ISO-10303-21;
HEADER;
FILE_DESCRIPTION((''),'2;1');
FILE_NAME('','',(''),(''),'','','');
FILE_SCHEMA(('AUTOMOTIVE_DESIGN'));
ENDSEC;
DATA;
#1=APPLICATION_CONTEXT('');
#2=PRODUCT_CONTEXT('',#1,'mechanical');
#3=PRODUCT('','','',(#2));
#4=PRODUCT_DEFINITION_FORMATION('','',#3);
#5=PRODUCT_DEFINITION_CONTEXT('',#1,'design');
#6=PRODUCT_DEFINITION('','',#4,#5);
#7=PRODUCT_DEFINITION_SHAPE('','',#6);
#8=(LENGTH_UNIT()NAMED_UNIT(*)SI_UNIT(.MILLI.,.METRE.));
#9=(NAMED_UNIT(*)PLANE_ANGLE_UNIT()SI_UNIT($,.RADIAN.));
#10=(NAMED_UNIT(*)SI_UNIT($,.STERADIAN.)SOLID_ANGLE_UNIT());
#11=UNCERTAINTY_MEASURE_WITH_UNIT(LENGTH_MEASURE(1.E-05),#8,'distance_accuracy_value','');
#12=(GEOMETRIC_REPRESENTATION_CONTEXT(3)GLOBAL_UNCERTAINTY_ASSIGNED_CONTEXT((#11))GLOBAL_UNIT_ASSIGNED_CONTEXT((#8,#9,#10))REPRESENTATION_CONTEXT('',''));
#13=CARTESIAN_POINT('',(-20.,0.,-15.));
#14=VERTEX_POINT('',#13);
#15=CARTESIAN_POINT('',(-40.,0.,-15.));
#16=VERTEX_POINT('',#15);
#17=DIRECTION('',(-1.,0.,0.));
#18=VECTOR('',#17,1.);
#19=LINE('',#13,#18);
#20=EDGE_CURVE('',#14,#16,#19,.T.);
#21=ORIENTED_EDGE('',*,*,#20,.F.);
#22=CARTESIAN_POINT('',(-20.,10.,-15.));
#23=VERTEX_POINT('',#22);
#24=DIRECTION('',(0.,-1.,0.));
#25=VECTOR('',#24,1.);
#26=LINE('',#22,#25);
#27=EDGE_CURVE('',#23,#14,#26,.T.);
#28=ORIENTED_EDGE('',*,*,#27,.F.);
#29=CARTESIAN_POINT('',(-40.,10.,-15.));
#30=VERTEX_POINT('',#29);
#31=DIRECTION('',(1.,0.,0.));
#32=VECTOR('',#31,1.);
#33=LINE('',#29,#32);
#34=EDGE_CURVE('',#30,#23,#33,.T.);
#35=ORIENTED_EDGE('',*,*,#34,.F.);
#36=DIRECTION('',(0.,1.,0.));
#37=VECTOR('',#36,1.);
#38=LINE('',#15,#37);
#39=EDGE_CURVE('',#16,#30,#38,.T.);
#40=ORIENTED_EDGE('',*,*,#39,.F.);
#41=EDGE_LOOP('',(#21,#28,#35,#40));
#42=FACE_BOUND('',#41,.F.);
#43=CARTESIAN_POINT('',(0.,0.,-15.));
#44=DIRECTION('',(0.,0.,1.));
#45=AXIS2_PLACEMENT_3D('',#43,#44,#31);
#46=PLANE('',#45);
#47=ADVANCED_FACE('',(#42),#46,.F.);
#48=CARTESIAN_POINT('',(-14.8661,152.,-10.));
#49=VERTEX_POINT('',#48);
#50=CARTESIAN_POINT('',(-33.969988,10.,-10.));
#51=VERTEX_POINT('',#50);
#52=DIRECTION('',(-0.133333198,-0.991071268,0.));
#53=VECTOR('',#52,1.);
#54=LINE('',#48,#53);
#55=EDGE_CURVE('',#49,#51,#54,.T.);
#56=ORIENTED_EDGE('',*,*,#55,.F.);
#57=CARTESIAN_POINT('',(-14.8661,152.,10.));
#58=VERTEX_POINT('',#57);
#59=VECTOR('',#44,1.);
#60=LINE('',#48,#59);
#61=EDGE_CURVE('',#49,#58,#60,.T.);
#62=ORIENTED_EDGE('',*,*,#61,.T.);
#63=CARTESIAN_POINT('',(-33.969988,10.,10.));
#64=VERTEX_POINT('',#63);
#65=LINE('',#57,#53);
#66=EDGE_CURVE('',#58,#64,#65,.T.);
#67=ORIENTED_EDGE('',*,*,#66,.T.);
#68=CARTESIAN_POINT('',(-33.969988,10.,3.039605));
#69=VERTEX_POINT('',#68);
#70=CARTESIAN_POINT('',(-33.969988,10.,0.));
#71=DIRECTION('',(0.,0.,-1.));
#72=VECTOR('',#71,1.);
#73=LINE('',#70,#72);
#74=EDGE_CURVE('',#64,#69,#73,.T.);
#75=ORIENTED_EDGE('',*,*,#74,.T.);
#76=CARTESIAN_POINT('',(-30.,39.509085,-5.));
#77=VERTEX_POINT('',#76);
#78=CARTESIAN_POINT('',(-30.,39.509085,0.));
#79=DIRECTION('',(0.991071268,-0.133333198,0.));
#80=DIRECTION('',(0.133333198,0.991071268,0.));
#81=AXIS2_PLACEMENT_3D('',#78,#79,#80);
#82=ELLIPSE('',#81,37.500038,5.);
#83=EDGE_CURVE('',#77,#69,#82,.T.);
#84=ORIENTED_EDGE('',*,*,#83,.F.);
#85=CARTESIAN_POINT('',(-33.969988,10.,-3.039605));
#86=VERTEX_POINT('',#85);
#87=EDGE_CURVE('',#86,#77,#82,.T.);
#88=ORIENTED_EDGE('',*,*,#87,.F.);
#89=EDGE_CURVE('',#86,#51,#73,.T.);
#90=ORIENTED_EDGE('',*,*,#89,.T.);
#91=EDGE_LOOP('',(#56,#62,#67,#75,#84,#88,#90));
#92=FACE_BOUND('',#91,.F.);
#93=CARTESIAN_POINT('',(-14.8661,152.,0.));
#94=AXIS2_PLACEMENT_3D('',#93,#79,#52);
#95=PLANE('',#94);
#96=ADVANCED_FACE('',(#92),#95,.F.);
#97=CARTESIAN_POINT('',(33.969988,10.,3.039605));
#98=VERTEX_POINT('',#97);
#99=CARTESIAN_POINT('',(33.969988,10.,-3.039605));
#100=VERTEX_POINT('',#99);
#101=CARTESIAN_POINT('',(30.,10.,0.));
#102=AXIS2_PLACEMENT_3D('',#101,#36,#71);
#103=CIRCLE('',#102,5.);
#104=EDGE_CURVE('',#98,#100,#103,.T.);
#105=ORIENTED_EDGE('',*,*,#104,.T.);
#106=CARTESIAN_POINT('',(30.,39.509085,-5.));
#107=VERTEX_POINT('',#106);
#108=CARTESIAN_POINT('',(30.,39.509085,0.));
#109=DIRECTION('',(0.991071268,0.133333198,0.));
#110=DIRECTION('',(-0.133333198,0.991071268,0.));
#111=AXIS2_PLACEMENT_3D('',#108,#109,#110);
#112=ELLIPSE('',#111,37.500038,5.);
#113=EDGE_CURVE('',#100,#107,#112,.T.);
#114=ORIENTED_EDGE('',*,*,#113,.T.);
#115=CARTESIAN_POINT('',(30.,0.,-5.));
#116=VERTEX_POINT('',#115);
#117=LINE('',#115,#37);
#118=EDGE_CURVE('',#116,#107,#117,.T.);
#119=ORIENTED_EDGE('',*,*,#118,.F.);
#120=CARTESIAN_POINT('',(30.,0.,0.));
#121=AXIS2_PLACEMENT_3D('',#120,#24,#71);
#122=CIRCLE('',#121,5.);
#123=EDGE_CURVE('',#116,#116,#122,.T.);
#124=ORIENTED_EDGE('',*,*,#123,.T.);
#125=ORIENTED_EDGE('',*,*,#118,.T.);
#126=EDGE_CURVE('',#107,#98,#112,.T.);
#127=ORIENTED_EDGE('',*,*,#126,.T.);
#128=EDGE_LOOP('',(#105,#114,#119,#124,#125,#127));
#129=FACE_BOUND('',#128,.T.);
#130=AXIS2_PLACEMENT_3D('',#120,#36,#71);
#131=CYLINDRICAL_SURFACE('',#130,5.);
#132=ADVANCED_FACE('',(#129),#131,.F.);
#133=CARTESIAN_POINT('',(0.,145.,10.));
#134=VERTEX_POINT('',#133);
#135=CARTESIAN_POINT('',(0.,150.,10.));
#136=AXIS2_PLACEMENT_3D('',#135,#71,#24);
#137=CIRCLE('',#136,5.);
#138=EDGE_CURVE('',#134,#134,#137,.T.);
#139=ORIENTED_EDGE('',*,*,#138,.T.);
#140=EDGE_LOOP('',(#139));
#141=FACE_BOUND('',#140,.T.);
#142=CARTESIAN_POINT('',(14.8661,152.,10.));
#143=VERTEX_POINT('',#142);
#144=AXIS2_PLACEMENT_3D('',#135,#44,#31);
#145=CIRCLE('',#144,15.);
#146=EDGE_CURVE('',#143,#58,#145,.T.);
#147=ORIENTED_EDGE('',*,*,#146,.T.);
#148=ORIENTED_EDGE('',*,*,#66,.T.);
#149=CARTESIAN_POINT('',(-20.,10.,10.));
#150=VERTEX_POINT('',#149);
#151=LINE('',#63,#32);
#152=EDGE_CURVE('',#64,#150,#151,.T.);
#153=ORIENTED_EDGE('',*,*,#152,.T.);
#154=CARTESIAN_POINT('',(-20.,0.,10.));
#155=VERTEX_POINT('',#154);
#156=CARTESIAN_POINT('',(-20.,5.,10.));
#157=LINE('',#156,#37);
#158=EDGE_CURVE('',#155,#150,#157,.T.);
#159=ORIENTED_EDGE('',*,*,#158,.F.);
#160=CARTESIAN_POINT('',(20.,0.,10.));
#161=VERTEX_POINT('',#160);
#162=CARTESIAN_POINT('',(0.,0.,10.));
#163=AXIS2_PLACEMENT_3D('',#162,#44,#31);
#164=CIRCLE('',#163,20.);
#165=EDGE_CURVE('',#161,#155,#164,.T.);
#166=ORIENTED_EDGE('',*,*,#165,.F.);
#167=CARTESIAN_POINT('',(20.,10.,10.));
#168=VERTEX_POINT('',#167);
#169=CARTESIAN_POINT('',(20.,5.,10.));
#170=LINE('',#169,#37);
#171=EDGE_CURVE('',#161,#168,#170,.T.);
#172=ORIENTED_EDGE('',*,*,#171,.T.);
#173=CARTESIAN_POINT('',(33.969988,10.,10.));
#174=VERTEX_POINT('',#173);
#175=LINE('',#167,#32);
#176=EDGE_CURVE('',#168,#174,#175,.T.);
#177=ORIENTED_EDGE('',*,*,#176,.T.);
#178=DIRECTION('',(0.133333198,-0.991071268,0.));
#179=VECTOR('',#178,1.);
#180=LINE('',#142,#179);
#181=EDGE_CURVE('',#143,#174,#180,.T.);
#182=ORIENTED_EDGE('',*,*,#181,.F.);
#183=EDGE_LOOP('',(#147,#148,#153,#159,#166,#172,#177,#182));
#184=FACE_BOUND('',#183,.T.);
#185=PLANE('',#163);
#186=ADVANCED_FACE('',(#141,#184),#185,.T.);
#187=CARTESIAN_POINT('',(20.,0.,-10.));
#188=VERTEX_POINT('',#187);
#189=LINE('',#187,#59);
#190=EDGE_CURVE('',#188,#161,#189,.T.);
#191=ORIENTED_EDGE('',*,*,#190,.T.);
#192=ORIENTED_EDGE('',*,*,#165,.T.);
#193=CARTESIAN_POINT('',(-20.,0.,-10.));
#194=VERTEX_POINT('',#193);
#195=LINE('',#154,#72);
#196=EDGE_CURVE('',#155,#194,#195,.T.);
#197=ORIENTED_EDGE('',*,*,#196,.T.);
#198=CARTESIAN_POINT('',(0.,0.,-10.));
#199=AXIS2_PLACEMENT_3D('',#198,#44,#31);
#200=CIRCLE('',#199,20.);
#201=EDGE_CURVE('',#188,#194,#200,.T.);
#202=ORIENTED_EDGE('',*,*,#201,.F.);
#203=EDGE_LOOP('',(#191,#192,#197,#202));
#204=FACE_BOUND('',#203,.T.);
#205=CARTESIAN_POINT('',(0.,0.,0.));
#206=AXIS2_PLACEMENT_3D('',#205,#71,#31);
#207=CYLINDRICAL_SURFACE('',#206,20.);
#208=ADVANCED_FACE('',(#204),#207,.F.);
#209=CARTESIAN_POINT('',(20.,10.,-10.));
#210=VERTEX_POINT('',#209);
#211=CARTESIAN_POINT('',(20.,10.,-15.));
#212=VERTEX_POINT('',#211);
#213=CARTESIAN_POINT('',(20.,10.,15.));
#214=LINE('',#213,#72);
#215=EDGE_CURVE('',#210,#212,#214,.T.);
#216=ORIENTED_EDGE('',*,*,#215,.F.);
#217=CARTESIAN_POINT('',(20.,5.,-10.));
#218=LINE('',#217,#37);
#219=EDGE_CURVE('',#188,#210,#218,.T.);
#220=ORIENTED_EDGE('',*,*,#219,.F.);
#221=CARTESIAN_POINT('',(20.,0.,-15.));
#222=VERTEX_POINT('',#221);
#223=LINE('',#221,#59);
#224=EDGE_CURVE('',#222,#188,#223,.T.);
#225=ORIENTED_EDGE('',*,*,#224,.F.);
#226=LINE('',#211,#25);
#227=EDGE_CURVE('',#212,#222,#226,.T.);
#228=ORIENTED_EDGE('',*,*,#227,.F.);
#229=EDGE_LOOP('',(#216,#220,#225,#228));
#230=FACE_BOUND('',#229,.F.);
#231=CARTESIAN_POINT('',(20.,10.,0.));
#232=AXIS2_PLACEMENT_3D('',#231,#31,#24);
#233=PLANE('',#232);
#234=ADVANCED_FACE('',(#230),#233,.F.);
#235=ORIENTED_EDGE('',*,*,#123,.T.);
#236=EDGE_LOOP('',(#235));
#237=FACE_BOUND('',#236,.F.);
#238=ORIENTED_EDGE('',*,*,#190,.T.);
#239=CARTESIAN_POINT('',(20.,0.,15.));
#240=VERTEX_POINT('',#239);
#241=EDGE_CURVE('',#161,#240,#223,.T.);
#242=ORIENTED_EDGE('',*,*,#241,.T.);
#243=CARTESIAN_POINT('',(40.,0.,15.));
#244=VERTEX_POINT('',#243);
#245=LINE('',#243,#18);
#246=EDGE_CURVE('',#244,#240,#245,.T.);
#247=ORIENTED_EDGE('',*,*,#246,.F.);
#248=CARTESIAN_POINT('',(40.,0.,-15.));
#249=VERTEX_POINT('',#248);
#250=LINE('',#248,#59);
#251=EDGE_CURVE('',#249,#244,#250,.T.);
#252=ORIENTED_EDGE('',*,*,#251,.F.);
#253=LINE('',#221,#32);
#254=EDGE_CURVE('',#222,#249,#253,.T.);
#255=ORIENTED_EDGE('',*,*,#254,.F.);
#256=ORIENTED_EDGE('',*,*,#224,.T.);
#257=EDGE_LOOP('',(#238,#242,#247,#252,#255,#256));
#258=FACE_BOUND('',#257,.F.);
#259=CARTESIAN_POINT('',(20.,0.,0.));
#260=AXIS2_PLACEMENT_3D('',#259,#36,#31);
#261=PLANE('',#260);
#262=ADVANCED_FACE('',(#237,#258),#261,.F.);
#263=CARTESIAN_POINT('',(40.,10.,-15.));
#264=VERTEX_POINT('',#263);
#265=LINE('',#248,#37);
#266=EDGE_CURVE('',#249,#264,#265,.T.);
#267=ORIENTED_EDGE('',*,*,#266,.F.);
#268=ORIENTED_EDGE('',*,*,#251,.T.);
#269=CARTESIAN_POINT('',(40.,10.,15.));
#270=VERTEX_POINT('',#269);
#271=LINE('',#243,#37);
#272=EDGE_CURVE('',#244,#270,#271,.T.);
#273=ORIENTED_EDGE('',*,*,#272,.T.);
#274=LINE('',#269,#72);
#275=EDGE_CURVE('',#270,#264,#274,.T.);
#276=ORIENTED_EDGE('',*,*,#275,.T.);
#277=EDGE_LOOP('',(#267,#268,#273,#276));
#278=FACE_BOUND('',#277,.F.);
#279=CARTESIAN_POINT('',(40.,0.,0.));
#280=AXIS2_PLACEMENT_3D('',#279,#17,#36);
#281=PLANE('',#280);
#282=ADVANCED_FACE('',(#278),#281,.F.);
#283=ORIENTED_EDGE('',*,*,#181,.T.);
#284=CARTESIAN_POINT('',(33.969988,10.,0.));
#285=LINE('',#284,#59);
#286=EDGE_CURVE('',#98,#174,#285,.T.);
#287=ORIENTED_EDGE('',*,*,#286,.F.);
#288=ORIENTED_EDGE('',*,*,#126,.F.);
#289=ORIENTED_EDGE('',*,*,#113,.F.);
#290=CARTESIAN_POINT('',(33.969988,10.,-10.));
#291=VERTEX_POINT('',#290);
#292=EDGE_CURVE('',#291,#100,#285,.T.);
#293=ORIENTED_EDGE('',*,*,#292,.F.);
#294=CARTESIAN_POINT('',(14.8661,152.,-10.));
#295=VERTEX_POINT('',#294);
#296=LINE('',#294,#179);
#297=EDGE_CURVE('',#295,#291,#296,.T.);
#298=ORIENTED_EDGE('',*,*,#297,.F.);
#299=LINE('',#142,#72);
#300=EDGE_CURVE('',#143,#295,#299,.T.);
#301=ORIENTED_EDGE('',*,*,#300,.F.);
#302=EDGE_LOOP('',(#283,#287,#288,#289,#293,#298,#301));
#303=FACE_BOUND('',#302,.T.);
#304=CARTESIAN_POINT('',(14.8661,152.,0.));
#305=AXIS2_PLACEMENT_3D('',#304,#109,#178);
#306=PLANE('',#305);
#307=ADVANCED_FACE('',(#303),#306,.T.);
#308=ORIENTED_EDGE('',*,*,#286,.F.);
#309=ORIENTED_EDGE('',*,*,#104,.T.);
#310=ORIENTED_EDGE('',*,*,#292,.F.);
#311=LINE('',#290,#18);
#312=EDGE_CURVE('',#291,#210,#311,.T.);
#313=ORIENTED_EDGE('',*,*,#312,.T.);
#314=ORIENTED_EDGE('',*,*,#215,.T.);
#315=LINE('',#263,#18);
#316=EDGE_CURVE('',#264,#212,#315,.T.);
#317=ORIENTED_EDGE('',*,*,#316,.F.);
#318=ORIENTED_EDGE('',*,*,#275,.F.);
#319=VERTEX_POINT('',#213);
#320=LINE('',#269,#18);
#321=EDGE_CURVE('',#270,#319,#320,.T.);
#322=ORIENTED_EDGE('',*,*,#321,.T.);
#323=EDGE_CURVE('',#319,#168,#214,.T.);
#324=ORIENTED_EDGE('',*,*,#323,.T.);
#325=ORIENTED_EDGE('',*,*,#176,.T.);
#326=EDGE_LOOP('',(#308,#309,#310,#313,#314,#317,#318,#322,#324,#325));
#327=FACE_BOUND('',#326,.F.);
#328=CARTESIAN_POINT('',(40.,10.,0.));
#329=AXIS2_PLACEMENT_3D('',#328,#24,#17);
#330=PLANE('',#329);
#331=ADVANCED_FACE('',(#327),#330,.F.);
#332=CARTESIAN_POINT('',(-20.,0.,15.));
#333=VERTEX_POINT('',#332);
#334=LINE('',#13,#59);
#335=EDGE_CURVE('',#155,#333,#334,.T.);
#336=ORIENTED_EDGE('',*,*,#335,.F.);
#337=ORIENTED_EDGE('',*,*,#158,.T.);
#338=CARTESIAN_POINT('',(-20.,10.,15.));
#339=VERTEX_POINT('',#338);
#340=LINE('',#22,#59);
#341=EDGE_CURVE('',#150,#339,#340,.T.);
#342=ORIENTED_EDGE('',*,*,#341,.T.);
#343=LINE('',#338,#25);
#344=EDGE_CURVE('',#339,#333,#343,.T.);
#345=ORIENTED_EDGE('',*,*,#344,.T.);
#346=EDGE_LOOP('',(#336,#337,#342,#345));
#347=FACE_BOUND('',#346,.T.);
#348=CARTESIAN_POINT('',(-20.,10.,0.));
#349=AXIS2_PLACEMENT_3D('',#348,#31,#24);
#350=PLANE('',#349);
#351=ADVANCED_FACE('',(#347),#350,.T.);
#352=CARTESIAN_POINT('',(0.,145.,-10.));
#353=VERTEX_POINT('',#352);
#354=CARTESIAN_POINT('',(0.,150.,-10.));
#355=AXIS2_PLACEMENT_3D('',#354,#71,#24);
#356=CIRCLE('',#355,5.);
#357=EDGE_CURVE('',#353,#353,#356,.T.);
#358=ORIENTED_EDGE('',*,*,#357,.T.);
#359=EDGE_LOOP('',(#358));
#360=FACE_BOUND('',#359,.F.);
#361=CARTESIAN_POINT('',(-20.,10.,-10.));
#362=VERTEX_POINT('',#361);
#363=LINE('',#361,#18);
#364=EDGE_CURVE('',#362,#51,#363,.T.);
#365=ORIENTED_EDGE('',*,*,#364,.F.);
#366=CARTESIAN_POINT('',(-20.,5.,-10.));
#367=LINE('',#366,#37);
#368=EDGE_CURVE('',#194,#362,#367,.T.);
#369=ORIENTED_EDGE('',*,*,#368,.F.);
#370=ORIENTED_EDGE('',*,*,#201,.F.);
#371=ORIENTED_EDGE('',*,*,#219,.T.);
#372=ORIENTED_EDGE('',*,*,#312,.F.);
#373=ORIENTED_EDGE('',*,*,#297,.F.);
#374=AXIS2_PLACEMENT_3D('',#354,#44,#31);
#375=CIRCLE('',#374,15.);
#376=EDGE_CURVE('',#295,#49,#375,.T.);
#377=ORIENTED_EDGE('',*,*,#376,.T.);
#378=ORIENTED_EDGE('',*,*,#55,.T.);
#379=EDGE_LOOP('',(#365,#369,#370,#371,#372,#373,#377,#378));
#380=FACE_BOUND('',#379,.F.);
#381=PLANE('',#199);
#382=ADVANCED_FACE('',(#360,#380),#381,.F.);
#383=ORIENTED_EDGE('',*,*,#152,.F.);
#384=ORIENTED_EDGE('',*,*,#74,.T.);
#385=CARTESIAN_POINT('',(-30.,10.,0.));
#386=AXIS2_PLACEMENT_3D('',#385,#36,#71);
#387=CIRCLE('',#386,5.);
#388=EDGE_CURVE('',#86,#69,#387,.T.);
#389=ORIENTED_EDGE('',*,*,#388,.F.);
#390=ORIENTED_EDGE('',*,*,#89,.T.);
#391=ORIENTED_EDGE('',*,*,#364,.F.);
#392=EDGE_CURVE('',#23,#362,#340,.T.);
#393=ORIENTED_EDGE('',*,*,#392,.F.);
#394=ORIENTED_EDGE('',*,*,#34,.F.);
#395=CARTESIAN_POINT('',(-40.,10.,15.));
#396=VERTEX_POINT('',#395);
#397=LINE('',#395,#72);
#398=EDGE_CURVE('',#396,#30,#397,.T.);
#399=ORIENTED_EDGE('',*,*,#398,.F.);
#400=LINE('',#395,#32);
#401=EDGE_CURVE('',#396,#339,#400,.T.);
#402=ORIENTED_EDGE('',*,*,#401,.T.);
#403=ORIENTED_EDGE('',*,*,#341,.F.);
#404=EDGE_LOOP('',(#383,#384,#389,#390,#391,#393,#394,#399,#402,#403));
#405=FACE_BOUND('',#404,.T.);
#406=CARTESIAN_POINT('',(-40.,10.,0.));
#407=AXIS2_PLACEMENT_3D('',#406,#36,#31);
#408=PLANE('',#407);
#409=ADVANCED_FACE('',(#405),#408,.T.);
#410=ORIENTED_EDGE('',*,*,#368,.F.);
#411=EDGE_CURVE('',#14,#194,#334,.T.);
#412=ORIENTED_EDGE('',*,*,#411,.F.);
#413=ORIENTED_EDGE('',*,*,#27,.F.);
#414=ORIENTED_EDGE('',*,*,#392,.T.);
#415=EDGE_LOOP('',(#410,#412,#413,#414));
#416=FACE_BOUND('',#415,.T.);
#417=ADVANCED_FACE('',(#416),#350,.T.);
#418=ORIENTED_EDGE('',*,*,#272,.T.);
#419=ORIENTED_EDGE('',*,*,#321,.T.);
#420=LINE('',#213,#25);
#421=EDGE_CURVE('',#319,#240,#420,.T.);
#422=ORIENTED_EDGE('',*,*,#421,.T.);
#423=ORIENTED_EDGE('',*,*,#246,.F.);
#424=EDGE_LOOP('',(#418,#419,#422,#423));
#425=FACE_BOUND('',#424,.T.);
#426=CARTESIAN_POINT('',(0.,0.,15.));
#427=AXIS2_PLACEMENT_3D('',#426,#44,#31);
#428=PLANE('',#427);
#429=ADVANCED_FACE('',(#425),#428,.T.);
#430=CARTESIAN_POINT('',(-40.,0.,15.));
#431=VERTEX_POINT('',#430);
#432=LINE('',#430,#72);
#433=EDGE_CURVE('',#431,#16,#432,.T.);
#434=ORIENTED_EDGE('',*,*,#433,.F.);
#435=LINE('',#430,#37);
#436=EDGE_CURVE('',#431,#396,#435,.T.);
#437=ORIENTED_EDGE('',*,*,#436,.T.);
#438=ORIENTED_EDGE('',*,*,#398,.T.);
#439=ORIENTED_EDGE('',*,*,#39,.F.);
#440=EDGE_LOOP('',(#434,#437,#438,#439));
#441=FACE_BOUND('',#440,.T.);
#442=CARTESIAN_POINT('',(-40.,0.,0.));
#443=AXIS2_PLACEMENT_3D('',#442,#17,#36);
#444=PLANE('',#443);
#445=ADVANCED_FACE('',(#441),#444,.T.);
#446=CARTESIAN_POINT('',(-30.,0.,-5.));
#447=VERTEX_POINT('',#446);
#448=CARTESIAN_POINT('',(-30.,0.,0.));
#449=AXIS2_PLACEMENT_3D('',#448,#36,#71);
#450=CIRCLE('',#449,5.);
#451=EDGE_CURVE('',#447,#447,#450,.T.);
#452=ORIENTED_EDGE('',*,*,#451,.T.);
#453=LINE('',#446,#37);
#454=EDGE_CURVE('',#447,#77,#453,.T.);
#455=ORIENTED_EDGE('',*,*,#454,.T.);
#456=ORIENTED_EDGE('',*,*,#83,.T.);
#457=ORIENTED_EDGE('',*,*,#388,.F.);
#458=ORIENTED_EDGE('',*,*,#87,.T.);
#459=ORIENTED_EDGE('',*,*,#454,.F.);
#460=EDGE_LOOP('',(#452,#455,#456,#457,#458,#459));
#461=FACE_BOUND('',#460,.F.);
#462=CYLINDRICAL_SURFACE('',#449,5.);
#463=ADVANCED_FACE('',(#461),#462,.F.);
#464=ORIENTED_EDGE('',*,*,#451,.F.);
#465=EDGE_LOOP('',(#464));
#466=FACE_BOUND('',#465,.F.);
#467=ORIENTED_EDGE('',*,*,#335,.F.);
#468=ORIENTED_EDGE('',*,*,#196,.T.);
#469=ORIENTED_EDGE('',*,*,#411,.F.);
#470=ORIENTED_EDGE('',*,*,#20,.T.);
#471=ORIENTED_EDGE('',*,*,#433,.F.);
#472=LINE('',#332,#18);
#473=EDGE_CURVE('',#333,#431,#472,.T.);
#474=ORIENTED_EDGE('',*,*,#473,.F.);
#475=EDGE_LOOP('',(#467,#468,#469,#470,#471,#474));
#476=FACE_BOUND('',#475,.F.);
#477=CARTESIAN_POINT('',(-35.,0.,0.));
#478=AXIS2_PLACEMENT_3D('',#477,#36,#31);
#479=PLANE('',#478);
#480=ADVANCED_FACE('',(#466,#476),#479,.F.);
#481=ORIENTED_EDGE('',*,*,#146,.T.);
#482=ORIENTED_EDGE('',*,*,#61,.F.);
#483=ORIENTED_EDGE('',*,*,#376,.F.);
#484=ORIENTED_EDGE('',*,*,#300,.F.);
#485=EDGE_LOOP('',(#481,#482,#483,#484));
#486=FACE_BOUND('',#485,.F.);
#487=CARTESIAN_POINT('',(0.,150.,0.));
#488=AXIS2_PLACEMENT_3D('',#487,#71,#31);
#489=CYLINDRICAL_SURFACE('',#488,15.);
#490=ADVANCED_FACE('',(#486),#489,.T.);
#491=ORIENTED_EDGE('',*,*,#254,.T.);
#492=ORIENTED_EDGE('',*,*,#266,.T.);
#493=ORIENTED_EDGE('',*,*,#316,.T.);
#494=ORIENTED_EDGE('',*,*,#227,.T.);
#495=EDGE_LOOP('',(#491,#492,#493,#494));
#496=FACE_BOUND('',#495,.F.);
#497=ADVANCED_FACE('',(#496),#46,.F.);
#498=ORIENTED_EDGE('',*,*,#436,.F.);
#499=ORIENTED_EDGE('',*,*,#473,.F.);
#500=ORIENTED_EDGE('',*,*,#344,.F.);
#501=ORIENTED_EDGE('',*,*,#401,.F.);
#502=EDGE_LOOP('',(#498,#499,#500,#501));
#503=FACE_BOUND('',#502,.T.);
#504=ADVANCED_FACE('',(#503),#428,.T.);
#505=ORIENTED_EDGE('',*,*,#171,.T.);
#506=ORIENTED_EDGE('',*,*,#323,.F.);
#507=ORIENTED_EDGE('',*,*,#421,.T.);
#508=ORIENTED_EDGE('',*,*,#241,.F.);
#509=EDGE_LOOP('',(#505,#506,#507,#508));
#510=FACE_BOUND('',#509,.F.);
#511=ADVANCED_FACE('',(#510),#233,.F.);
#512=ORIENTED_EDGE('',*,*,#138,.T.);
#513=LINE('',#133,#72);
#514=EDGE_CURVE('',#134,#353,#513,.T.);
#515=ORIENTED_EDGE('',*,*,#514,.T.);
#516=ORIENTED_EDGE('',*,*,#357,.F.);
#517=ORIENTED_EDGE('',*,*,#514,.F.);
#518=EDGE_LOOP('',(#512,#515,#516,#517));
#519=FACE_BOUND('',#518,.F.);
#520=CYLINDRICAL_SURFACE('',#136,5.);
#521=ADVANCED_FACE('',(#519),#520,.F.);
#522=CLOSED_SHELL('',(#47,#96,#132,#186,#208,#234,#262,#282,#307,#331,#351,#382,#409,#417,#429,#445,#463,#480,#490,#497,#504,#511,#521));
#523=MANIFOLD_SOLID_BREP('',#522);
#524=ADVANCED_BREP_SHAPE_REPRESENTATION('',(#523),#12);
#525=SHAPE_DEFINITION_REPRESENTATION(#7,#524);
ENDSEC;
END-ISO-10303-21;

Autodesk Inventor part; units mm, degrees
ref_plane "YZ Plane" through (0, 0, 0) normal (1, 0, 0) x (0, 1, 0)
ref_plane "XZ Plane" through (0, 0, 0) normal (0, 1, 0) x (-1, 0, 0)
ref_plane "XY Plane" through (0, 0, 0) normal (0, 0, 1) x (1, 0, 0)
sketch "草图1" plane through (0, 0, 0) normal (0, 0, 1) x (1, 0, 0)
  circle A0 centre (0, 0) radius 20 projected
  circle A1 centre (0, 0) radius 35
  line L0 (-35, 0) -> (35, 0)
  point P0 (-20, 0)
  point P1 (20, 0)
  dimension "d0" = 70
  dimension "d1" = 70
extrude "拉伸1" add sketch "草图1" along normal mid plane 20 contours A0 L0 A1 picked at (29.7075, 2.5961)
sketch "草图2" plane through (0, 0, 0) normal (0, 0, 1) x (1, 0, 0)
  arc A0 (20, 0) -> (-20, 0) centre (0, 0) ccw projected
  line L0 (-20, 0) -> (-40, 0)
  line L1 (-40, 0) -> (-40, 10)
  line L2 (-40, 10) -> (-20, 10)
  line L3 (-20, 10) -> (-20, 0)
  line L4 (35, 0) -> (20, 0) projected
  line L5 (20, 0) -> (40, 0)
  line L6 (40, 0) -> (40, 10)
  line L7 (40, 10) -> (20, 10)
  line L8 (20, 10) -> (20, 0)
  dimension "d4" = 20
  dimension "d5" = 10
  dimension "d6" = 20
  dimension "d7" = 10
extrude "拉伸2" add sketch "草图2" along normal mid plane 30
sketch "草图3" plane through (0, 0, 0) normal (0, 0, 1) x (1, 0, 0)
  circle A0 centre (0, 150) radius 15
  line L0 (-20, 10) -> (-33.541, 10) projected
  arc A1 (33.541, 10) -> (-33.541, 10) centre (0, 0) ccw projected
  line L1 (33.541, 10) -> (20, 10) projected
  line L2 (20, 10) -> (20, 0) projected
  arc A2 (20, 0) -> (-20, 0) centre (0, 0) ccw projected
  line L3 (-20, 0) -> (-20, 10) projected
  circle A3 centre (0, 0) radius 35
  line L4 (-14.8661, 152) -> (-34.6875, 4.6667)
  line L5 (0, 0) -> (0, 98.8257)
  line L6 (14.8661, 152) -> (34.6875, 4.6667)
  dimension "d10" = 30
  dimension "d11" = 150
extrude "拉伸3" add sketch "草图3" along normal mid plane 20 contours A0 | A0 L6 A3 A1 L4
sketch "草图4" plane through (0, 0, 10) normal (0, 0, 1) x (1, 0, 0)
  arc A0 (14.8661, 152) -> (-14.8661, 152) centre (0, 150) ccw projected
  point P0 (0, 0)
hole "孔1" at (0, 150, 10) direction (0, 0, -1) diameter 10 end through all
sketch "草图5" plane through (-40, 0, 15) normal (0, -1, 0) x (1, 0, 0)
  line L0 (20, -5) -> (20, 0) construction
  line L1 (0, 0) -> (20, 0) construction
  line L2 (0, -30) -> (0, 0) construction
  line L3 (20, -30) -> (0, -30) construction
  line L4 (20, -30) -> (20, -25) construction
  line L5 (20, -5) -> (20, -25) construction
  point P0 (40, -15)
  point P1 (10, -15)
  point P2 (0, -15)
  point P3 (10, -30)
hole "孔2" at (-30, 0, 0) direction (0, 1, 0) diameter 10 end through all
mirror "镜像1" about plane through (0, 0, 0) normal (1, 0, 0) of "孔2"
properties part number "连杆"
